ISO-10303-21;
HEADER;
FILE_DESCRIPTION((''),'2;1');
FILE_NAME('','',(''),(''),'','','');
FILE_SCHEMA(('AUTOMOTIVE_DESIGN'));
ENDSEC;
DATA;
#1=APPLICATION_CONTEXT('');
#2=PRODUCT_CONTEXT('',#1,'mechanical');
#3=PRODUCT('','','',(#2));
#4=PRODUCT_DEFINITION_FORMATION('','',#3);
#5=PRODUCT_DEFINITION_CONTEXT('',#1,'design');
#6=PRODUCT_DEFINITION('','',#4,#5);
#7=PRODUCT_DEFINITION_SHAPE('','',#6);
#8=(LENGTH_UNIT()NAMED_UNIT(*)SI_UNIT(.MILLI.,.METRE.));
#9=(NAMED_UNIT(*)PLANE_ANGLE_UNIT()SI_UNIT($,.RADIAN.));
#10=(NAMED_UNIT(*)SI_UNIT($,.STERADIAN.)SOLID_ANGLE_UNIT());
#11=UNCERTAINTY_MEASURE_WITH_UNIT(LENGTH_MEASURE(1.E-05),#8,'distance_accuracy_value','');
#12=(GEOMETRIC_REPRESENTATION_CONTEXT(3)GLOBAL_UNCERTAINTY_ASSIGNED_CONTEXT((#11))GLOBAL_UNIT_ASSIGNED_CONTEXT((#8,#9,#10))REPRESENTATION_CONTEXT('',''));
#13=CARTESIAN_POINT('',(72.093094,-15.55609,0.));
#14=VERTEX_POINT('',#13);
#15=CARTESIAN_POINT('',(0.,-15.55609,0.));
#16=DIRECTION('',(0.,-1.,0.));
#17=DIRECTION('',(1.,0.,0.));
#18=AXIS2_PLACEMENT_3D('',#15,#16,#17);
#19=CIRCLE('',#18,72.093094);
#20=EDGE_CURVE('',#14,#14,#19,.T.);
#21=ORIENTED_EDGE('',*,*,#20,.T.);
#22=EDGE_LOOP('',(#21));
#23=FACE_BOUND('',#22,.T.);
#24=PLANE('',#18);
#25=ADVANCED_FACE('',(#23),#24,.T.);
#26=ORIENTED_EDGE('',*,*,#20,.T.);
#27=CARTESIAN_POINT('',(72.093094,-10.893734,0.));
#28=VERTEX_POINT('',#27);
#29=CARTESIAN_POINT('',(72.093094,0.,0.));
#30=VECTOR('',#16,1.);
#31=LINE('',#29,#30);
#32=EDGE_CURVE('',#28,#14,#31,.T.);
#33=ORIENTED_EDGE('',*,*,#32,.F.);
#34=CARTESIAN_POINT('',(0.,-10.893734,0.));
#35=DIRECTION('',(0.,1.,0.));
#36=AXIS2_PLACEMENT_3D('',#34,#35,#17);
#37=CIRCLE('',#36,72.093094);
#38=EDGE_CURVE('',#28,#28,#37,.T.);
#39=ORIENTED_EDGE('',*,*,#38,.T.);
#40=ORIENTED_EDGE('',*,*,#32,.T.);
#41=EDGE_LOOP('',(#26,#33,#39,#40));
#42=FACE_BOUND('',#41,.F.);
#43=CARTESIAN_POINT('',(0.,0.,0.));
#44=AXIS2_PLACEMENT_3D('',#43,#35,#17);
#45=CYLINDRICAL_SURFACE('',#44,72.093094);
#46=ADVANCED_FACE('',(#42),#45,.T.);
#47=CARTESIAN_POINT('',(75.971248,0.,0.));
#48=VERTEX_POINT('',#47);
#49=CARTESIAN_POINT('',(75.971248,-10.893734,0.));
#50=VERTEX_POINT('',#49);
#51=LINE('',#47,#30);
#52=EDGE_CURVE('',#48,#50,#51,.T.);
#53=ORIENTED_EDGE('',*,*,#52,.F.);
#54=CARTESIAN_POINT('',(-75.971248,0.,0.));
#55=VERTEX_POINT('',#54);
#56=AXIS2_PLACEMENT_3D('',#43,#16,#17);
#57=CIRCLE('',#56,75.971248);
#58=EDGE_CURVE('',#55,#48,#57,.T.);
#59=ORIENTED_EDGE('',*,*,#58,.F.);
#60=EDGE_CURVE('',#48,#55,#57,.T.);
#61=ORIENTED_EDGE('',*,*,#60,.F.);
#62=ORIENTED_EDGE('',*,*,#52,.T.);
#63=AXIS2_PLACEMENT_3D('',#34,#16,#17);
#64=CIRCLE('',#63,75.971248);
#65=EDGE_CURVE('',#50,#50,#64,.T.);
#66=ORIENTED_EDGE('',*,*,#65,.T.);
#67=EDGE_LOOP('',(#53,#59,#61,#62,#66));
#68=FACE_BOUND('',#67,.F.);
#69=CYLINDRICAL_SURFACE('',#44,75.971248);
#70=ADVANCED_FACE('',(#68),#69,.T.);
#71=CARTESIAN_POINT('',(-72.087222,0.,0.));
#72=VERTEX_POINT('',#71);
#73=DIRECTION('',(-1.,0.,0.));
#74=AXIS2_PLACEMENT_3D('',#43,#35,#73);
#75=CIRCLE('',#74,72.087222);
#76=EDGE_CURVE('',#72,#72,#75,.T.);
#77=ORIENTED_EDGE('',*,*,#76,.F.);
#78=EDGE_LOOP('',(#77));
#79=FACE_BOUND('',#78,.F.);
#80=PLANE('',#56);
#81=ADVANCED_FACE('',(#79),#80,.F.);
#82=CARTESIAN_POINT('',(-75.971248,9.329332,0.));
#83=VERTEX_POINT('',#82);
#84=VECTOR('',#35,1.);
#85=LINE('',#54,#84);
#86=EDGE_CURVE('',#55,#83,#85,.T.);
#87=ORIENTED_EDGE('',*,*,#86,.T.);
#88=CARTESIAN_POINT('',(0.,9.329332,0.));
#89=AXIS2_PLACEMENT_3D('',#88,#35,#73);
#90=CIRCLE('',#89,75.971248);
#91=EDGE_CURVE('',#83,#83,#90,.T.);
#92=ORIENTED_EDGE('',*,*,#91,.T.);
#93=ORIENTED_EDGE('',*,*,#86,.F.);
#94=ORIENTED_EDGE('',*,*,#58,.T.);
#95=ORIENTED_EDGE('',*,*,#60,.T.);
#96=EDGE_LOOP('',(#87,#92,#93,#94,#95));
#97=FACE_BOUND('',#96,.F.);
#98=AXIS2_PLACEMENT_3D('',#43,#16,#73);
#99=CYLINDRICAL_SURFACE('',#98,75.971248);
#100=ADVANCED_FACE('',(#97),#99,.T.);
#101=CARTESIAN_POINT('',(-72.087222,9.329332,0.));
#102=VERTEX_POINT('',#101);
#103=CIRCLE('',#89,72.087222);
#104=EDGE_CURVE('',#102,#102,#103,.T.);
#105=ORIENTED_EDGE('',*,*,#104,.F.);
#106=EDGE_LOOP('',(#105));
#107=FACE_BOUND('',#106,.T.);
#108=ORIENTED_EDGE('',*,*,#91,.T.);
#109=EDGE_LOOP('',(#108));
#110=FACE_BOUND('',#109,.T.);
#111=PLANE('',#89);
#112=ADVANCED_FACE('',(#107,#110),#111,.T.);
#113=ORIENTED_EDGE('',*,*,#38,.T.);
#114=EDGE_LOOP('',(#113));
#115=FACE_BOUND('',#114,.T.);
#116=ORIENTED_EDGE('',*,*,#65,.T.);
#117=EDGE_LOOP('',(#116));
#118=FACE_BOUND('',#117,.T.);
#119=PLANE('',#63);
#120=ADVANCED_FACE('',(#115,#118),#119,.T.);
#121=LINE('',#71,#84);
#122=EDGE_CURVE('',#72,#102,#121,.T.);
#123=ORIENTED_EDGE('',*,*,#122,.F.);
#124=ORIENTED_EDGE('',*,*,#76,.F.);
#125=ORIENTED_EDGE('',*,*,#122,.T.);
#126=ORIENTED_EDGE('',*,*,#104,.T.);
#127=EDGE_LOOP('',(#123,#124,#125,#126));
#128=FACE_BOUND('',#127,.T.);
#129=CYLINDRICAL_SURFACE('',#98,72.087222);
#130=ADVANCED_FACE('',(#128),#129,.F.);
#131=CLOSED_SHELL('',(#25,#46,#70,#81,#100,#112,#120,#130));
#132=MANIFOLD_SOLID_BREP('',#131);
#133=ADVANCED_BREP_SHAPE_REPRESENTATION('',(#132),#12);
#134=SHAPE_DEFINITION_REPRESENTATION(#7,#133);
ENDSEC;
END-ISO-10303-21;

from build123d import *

# Parameters (mm, degrees)
F0_R     = 75.971248
F0_R_2   = 70.641117
F1_DEPTH = 10.893734
F2_R     = 72.093094
F3_DEPTH = 15.55609
F4_R     = 75.971248
F4_R_2   = 72.087222
F5_DEPTH = 9.329332


with BuildPart() as f1:
    # F0 (on Front) → F1 (new body)
    with BuildSketch(Plane.XZ):
        Circle(F0_R)
        Circle(F0_R_2, mode=Mode.SUBTRACT)
    extrude(amount=F1_DEPTH)

    # F2 (on Front) → F3 (join)
    with BuildSketch(Plane.XZ):
        Circle(F2_R)
    extrude(amount=F3_DEPTH)

    # F4 (on face) → F5 (join)
    with BuildSketch(Plane(origin=(0, 0, 0), x_dir=(-1, 0, 0), z_dir=(0, 1, 0))):
        Circle(F4_R)
        Circle(F4_R_2, mode=Mode.SUBTRACT)
    extrude(amount=F5_DEPTH)


solid = f1.part
